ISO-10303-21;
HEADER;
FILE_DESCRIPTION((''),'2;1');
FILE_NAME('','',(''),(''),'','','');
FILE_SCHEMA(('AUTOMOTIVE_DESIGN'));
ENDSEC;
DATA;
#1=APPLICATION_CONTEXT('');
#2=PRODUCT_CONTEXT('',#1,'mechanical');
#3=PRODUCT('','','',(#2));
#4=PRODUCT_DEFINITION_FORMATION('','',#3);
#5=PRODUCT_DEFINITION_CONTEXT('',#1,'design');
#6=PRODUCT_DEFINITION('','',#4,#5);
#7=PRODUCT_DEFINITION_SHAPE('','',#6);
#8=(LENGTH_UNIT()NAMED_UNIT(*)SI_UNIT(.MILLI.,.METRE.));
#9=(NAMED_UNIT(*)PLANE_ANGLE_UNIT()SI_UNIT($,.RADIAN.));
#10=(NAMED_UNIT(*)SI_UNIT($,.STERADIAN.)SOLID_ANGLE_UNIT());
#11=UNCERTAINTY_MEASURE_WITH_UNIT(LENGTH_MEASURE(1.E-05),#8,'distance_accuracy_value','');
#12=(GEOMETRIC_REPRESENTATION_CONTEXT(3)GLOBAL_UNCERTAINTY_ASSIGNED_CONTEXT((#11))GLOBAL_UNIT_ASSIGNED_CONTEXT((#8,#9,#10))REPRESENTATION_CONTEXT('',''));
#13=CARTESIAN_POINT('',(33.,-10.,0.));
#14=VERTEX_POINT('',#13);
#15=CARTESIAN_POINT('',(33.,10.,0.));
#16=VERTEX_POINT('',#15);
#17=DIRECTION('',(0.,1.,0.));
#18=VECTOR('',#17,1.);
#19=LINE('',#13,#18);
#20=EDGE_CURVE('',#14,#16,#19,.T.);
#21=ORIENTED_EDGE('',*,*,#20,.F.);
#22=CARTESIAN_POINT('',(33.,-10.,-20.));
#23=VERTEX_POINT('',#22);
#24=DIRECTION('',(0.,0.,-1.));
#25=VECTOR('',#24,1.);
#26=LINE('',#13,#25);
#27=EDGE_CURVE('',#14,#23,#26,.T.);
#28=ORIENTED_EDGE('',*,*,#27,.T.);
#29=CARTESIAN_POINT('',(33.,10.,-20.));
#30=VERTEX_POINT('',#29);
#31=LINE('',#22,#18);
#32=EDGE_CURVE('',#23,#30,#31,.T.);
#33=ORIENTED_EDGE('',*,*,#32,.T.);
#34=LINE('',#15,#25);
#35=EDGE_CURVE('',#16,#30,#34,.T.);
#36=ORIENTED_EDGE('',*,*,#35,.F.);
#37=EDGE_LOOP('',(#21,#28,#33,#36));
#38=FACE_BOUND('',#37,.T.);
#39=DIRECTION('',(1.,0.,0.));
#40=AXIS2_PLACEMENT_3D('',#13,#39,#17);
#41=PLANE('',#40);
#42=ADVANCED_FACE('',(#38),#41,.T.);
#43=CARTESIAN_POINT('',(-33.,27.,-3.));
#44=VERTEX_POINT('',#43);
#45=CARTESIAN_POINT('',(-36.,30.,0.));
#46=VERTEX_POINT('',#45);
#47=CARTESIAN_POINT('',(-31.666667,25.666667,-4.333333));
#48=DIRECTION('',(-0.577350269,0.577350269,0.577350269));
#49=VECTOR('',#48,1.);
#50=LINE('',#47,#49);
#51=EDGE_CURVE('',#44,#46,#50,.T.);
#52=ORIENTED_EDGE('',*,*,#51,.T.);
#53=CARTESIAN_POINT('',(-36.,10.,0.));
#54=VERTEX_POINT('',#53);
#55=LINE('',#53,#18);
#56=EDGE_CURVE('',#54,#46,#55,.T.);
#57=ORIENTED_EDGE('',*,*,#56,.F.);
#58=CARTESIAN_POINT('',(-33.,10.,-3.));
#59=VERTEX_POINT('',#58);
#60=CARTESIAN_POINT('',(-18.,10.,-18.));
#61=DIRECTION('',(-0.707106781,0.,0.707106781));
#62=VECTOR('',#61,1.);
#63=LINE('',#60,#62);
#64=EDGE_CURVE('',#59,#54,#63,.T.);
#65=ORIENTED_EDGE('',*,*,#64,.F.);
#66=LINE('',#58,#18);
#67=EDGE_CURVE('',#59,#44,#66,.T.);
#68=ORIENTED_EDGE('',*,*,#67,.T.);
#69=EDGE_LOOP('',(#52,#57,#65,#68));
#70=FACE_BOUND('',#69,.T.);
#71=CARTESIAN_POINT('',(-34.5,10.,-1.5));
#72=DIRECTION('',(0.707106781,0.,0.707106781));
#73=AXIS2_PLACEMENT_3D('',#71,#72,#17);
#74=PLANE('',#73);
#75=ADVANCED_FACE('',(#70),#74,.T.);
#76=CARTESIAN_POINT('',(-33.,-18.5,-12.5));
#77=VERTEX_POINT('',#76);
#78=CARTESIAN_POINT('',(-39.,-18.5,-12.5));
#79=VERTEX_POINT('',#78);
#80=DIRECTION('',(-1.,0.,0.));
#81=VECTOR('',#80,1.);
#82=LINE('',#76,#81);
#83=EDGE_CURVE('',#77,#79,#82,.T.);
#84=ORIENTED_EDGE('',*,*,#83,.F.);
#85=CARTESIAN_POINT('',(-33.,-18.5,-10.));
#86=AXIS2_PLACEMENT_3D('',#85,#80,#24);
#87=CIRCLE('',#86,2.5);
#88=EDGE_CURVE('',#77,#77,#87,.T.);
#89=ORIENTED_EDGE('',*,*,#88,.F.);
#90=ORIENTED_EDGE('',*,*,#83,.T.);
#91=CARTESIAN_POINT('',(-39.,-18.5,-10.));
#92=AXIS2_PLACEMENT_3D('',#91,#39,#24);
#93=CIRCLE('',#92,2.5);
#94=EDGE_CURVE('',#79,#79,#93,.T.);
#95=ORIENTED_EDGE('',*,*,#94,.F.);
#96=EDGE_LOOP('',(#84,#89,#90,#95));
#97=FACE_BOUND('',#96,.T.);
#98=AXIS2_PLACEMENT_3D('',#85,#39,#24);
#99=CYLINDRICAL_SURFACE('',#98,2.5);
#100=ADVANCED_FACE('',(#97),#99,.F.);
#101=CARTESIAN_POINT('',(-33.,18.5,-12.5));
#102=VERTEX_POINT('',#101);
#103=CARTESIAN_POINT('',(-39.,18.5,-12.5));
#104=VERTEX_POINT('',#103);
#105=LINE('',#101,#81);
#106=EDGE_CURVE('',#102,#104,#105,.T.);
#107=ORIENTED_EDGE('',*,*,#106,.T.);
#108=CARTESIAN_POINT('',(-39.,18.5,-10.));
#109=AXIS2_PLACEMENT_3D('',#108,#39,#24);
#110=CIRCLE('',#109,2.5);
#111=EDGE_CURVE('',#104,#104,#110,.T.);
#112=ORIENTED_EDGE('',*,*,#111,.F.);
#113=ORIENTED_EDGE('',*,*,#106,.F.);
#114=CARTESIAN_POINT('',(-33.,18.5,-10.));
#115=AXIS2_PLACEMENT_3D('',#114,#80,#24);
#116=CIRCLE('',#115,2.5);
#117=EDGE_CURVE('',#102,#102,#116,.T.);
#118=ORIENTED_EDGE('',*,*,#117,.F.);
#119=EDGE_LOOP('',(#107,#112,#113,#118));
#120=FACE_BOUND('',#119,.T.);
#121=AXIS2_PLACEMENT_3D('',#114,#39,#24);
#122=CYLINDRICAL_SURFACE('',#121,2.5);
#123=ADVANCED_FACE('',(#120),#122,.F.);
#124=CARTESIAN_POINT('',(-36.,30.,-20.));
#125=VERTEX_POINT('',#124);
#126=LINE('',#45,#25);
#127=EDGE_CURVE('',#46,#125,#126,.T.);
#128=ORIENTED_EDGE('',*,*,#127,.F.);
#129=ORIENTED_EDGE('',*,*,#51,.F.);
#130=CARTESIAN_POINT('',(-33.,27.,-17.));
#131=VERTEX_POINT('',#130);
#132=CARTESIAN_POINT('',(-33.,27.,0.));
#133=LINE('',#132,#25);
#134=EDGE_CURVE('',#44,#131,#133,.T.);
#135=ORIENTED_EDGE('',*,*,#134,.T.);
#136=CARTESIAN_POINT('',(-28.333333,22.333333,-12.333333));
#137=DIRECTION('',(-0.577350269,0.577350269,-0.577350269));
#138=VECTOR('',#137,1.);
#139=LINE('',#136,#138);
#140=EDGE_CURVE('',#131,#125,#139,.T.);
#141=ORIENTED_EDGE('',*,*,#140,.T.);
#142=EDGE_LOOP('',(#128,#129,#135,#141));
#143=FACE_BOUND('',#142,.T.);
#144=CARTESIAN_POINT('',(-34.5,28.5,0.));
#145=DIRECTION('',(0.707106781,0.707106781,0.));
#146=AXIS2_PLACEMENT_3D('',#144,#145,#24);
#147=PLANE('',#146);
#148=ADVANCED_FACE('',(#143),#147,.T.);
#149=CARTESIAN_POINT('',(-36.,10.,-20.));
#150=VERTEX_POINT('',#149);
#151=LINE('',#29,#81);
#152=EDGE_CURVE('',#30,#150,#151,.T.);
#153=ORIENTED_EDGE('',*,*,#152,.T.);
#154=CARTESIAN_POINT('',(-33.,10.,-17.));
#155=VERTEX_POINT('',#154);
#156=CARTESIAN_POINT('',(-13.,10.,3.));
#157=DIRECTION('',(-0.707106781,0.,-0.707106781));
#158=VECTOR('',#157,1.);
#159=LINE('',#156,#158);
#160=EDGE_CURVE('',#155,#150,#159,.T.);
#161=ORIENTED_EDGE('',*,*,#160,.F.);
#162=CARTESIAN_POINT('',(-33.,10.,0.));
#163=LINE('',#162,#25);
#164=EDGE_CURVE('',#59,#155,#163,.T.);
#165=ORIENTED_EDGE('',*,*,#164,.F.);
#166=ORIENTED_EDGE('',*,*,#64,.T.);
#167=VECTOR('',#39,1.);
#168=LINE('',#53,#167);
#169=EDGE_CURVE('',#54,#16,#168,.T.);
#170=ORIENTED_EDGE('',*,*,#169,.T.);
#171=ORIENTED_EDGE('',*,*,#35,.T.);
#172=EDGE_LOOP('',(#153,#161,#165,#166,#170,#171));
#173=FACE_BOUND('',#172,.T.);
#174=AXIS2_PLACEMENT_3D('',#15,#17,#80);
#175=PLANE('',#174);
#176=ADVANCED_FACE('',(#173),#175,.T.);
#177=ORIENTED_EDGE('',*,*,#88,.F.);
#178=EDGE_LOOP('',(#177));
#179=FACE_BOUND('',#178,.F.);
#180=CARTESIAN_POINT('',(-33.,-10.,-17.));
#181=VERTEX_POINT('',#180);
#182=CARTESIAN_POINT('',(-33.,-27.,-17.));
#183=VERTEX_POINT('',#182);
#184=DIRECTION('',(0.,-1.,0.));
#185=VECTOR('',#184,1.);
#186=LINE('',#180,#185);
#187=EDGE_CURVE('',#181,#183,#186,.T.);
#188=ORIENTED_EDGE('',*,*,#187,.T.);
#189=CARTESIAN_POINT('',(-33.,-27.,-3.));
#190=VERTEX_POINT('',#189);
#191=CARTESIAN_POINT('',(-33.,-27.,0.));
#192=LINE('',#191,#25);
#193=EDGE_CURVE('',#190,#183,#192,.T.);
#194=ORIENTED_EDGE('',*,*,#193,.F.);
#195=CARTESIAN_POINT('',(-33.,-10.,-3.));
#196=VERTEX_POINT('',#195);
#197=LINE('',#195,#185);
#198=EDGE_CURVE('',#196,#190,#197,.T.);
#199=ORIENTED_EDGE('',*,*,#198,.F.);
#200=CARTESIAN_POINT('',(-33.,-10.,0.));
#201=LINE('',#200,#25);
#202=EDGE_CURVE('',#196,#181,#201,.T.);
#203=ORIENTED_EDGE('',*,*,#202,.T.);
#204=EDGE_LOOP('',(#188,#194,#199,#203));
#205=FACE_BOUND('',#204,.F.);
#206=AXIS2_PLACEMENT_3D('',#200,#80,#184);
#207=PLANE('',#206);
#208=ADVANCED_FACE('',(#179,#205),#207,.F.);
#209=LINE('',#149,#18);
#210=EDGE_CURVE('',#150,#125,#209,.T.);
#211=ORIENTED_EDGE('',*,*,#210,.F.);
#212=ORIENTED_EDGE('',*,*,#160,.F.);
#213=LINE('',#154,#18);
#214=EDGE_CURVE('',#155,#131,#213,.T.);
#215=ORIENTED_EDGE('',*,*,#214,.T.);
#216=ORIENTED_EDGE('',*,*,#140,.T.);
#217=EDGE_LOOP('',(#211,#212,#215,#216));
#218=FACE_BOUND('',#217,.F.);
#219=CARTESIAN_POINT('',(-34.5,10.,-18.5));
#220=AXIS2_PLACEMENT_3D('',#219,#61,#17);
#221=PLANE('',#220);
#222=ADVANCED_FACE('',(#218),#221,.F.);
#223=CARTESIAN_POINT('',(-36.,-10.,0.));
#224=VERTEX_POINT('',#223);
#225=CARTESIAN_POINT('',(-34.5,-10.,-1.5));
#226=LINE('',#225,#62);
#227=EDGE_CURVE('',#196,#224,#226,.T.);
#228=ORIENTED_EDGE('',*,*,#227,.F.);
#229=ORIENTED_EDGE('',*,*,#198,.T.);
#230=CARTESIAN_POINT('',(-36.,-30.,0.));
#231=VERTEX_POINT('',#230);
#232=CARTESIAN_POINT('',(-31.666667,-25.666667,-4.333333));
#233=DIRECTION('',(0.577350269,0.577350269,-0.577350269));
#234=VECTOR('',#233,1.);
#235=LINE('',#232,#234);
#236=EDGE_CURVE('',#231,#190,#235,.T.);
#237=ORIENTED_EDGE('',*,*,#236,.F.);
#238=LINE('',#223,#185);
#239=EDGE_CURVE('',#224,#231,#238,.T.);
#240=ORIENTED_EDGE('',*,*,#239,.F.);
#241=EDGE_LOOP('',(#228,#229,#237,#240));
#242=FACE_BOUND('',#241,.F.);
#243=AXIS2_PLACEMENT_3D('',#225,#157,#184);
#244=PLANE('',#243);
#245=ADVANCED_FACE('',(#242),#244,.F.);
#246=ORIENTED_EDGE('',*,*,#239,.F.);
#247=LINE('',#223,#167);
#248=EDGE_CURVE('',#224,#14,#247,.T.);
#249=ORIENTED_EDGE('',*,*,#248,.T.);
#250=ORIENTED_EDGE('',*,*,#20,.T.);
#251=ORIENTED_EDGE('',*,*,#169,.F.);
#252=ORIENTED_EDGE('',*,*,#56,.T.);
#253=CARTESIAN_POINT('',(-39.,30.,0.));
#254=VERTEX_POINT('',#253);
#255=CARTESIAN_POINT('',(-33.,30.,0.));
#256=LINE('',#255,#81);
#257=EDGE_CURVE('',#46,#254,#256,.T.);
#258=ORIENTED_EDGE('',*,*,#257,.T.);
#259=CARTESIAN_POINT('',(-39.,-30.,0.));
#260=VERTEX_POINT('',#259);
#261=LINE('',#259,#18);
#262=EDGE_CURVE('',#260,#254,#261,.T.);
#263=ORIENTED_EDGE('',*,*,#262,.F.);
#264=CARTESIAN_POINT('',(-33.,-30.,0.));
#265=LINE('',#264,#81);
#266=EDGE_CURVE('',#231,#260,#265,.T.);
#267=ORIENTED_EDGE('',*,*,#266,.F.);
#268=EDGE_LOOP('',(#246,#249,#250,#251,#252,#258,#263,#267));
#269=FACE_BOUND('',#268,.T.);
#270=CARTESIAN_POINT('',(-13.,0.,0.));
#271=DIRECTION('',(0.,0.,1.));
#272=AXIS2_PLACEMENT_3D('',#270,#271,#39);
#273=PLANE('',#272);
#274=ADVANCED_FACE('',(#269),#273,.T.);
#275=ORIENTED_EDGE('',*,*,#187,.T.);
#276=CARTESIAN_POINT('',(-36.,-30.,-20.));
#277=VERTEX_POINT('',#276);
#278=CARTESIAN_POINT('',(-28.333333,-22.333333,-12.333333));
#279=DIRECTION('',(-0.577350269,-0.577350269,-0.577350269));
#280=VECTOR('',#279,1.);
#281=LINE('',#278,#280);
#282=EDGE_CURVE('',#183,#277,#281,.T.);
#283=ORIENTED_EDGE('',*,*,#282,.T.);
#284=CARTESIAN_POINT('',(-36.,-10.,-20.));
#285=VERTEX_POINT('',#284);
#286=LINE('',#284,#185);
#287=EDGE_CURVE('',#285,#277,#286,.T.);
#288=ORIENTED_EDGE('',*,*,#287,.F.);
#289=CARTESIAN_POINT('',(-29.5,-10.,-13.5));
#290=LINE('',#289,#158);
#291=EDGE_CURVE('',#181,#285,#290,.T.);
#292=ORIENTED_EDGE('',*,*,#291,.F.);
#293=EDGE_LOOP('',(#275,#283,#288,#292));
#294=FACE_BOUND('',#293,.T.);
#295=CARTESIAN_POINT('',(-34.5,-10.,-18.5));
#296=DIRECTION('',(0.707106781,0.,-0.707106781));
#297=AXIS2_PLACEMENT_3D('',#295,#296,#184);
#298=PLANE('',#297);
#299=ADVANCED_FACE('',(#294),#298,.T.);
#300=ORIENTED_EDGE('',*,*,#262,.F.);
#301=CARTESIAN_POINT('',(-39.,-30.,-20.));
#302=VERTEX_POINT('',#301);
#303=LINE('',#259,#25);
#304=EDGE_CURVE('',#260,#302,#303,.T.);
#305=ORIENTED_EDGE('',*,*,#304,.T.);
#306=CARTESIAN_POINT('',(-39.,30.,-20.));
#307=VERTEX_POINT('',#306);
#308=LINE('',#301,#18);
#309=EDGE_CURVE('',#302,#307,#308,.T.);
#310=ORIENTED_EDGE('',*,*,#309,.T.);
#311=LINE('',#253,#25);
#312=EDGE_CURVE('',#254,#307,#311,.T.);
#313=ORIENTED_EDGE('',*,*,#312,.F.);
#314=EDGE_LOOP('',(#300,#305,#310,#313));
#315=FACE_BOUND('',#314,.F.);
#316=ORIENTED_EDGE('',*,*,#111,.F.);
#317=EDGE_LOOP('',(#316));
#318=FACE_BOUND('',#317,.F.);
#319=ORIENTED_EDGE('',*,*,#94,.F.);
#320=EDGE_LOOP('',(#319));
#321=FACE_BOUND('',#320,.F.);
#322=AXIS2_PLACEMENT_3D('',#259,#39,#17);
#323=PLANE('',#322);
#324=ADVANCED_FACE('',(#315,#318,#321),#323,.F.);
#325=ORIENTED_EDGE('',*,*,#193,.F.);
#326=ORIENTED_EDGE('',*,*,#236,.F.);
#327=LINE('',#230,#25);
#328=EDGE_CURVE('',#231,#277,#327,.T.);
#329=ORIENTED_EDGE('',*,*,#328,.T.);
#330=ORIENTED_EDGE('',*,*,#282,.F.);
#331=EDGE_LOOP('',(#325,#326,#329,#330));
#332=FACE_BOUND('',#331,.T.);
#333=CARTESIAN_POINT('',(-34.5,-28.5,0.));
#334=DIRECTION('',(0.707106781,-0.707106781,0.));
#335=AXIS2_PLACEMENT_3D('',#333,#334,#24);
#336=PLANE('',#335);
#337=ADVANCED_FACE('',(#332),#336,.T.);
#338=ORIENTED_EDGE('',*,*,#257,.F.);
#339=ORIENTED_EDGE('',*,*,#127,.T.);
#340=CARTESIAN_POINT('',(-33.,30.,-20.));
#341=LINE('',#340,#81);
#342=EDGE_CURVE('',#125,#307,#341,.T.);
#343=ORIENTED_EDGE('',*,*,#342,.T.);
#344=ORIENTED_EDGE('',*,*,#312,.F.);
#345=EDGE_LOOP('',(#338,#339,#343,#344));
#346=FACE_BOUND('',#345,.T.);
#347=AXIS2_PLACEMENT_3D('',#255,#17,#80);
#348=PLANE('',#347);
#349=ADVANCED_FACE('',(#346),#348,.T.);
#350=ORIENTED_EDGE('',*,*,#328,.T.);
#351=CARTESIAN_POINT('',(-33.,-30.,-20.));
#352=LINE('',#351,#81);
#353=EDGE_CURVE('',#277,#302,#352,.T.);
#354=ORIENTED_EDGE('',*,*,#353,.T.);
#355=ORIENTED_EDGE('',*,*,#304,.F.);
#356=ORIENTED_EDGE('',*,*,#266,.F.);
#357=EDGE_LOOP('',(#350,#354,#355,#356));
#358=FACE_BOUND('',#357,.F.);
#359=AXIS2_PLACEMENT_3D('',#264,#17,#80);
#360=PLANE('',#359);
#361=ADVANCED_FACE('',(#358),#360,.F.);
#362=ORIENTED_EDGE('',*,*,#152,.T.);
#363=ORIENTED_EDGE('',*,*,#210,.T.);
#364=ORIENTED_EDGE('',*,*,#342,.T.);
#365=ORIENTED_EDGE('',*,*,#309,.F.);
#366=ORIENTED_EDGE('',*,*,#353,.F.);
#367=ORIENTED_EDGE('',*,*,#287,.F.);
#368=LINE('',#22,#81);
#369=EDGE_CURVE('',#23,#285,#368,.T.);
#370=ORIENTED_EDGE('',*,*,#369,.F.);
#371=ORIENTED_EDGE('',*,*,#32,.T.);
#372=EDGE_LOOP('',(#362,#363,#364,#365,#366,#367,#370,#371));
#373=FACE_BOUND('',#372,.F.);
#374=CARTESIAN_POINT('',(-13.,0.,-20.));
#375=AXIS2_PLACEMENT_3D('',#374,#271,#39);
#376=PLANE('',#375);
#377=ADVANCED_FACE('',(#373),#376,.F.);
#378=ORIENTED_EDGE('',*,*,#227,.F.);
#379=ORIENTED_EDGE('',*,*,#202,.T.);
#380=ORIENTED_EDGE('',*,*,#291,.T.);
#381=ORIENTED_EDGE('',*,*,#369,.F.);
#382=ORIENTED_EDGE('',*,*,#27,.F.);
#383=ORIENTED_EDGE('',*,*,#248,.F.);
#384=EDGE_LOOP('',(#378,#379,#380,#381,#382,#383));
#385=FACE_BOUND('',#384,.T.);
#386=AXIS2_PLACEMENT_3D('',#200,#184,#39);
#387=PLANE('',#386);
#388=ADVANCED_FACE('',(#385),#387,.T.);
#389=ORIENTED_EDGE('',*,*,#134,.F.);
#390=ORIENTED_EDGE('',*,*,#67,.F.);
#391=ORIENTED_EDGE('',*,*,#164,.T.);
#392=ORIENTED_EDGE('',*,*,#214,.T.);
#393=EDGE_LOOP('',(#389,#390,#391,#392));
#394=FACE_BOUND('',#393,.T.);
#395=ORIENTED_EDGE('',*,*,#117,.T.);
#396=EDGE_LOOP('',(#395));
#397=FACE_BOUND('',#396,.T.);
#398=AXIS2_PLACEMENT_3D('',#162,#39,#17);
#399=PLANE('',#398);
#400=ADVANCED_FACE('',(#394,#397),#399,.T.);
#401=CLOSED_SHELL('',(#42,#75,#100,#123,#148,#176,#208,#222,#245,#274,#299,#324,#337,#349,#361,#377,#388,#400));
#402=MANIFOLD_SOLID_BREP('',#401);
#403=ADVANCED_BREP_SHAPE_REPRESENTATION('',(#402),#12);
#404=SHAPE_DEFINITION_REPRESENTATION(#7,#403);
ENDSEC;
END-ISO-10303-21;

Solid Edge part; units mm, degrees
sketch "Sketch1" plane through (0, 0, 0) normal (0, 0, 1) x (1, 0, 0)
  line L0 (33, -10) -> (33, 10)
  line L1 (33, 10) -> (-33, 10)
  line L2 (-33, 10) -> (-33, 30)
  line L3 (-33, 30) -> (-39, 30)
  line L4 (-39, -30) -> (-39, 30)
  line L5 (-33, -30) -> (-39, -30)
  line L6 (-33, -10) -> (-33, -30)
  line L7 (-33, -10) -> (33, -10)
extrude "Protrusion1" add sketch "Sketch1" against normal blind 20
chamfer "Chanfro_1" distance 3 angle 45 6 edges at (-33, -20, -20) (-33, -30, -10) (-33, -20, 0) (-33, 20, -20) (-33, 30, -10) (-33, 20, 0)
hole "Furo_3" at (-33, 18.5, -10) direction (-1, 0, 0) diameter 5 end up to next
hole "Hole1" at (-33, -18.5, -10) direction (-1, 0, 0) diameter 5 end up to next
